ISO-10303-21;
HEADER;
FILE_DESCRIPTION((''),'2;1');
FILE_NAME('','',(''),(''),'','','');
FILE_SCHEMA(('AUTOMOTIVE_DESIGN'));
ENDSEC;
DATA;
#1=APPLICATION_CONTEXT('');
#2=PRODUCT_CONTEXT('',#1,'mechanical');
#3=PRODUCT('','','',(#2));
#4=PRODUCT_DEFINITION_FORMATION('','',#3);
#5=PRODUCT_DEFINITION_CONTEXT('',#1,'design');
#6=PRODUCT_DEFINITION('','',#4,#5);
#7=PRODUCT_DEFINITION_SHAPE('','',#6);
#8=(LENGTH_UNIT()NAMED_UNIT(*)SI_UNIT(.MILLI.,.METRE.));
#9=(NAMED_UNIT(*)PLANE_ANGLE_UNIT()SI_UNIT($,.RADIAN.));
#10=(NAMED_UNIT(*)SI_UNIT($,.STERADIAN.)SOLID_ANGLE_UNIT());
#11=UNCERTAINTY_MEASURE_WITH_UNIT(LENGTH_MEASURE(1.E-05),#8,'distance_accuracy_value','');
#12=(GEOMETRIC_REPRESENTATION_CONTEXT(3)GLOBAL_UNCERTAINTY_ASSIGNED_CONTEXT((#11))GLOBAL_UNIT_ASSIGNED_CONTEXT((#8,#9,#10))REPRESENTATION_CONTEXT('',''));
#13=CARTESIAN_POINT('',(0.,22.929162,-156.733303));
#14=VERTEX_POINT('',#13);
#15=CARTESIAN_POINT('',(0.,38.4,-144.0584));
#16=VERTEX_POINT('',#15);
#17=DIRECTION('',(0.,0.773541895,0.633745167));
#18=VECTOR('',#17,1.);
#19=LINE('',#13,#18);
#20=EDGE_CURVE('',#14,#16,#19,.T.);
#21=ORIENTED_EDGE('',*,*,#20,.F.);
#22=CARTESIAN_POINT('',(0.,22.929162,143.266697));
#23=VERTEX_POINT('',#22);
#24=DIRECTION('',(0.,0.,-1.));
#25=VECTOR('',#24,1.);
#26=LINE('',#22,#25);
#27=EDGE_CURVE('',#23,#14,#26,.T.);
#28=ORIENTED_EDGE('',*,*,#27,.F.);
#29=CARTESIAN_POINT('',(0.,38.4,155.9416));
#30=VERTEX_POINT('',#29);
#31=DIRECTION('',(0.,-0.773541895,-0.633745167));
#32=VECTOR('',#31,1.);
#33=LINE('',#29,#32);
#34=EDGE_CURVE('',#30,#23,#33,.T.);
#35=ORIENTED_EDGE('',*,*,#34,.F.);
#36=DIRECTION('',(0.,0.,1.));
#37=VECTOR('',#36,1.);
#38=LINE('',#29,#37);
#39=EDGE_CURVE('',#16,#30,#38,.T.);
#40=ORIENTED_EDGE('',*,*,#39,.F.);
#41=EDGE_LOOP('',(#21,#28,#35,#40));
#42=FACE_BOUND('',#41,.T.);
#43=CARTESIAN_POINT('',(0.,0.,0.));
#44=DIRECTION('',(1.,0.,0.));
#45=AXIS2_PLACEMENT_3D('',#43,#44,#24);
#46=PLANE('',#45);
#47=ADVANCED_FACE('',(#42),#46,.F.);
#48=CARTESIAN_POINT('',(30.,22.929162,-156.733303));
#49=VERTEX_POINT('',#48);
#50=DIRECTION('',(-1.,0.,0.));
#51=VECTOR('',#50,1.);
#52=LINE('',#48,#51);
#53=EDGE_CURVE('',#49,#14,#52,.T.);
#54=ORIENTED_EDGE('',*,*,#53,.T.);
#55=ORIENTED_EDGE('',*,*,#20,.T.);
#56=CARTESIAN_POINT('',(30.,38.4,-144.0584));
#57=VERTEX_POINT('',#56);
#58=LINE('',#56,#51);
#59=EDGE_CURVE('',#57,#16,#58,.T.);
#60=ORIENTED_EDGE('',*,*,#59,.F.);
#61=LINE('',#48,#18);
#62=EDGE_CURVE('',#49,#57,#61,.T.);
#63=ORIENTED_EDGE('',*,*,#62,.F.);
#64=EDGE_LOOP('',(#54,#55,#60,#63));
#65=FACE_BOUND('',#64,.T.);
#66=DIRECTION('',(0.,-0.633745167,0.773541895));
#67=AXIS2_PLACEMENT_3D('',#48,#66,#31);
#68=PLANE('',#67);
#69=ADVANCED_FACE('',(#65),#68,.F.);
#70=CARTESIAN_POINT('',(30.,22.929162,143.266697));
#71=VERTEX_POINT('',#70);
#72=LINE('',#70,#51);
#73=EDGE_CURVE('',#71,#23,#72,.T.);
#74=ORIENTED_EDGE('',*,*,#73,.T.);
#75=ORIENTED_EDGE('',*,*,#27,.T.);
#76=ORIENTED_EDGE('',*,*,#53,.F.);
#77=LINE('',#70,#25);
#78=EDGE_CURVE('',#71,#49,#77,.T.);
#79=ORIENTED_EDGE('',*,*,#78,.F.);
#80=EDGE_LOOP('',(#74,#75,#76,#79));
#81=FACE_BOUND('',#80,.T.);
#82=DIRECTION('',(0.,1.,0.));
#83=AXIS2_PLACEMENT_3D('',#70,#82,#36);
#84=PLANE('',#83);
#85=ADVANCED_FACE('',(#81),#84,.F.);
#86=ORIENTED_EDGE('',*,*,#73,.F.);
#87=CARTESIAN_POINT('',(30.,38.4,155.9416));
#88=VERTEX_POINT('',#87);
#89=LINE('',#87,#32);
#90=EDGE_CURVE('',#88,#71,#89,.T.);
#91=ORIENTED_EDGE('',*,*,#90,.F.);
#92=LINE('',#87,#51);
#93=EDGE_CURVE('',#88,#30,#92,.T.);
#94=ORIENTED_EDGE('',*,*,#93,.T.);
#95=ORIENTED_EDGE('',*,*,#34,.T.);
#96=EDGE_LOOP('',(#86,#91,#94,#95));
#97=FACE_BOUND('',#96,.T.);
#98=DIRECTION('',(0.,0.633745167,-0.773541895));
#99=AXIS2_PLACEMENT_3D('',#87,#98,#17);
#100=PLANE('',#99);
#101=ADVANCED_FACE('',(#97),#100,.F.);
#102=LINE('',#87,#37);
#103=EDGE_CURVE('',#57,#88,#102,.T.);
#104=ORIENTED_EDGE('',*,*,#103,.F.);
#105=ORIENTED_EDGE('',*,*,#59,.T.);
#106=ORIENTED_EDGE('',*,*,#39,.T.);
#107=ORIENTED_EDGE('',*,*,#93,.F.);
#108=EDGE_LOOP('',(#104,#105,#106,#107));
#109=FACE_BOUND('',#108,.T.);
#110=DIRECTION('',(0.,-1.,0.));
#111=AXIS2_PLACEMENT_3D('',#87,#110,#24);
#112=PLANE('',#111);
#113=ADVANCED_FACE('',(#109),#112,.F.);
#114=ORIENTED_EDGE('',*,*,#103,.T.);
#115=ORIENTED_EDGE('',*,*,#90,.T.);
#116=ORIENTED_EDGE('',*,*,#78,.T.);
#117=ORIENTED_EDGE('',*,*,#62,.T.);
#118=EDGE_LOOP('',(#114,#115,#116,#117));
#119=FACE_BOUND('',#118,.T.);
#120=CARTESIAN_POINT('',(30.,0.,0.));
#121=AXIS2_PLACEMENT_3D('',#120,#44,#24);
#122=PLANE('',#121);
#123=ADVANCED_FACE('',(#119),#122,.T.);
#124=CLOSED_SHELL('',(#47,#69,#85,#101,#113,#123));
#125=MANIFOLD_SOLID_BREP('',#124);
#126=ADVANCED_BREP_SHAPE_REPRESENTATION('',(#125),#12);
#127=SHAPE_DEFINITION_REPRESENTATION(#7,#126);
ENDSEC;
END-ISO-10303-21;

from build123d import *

# Parameters (mm, degrees)
BOSS_EXTRUDE1_DEPTH = 30


with BuildPart() as part:
    # Sketch1 → Boss-Extrude1 (new body)
    with BuildSketch(Plane(origin=(0, 0, 0), x_dir=(0, 0, -1), z_dir=(1, 0, 0))):
        Polygon((-155.941600228, 38.4), (-143.266696889, 22.9291621), (156.733303111, 22.9291621), (144.058399772, 38.4), align=None)
    extrude(amount=BOSS_EXTRUDE1_DEPTH)


solid = part.part
